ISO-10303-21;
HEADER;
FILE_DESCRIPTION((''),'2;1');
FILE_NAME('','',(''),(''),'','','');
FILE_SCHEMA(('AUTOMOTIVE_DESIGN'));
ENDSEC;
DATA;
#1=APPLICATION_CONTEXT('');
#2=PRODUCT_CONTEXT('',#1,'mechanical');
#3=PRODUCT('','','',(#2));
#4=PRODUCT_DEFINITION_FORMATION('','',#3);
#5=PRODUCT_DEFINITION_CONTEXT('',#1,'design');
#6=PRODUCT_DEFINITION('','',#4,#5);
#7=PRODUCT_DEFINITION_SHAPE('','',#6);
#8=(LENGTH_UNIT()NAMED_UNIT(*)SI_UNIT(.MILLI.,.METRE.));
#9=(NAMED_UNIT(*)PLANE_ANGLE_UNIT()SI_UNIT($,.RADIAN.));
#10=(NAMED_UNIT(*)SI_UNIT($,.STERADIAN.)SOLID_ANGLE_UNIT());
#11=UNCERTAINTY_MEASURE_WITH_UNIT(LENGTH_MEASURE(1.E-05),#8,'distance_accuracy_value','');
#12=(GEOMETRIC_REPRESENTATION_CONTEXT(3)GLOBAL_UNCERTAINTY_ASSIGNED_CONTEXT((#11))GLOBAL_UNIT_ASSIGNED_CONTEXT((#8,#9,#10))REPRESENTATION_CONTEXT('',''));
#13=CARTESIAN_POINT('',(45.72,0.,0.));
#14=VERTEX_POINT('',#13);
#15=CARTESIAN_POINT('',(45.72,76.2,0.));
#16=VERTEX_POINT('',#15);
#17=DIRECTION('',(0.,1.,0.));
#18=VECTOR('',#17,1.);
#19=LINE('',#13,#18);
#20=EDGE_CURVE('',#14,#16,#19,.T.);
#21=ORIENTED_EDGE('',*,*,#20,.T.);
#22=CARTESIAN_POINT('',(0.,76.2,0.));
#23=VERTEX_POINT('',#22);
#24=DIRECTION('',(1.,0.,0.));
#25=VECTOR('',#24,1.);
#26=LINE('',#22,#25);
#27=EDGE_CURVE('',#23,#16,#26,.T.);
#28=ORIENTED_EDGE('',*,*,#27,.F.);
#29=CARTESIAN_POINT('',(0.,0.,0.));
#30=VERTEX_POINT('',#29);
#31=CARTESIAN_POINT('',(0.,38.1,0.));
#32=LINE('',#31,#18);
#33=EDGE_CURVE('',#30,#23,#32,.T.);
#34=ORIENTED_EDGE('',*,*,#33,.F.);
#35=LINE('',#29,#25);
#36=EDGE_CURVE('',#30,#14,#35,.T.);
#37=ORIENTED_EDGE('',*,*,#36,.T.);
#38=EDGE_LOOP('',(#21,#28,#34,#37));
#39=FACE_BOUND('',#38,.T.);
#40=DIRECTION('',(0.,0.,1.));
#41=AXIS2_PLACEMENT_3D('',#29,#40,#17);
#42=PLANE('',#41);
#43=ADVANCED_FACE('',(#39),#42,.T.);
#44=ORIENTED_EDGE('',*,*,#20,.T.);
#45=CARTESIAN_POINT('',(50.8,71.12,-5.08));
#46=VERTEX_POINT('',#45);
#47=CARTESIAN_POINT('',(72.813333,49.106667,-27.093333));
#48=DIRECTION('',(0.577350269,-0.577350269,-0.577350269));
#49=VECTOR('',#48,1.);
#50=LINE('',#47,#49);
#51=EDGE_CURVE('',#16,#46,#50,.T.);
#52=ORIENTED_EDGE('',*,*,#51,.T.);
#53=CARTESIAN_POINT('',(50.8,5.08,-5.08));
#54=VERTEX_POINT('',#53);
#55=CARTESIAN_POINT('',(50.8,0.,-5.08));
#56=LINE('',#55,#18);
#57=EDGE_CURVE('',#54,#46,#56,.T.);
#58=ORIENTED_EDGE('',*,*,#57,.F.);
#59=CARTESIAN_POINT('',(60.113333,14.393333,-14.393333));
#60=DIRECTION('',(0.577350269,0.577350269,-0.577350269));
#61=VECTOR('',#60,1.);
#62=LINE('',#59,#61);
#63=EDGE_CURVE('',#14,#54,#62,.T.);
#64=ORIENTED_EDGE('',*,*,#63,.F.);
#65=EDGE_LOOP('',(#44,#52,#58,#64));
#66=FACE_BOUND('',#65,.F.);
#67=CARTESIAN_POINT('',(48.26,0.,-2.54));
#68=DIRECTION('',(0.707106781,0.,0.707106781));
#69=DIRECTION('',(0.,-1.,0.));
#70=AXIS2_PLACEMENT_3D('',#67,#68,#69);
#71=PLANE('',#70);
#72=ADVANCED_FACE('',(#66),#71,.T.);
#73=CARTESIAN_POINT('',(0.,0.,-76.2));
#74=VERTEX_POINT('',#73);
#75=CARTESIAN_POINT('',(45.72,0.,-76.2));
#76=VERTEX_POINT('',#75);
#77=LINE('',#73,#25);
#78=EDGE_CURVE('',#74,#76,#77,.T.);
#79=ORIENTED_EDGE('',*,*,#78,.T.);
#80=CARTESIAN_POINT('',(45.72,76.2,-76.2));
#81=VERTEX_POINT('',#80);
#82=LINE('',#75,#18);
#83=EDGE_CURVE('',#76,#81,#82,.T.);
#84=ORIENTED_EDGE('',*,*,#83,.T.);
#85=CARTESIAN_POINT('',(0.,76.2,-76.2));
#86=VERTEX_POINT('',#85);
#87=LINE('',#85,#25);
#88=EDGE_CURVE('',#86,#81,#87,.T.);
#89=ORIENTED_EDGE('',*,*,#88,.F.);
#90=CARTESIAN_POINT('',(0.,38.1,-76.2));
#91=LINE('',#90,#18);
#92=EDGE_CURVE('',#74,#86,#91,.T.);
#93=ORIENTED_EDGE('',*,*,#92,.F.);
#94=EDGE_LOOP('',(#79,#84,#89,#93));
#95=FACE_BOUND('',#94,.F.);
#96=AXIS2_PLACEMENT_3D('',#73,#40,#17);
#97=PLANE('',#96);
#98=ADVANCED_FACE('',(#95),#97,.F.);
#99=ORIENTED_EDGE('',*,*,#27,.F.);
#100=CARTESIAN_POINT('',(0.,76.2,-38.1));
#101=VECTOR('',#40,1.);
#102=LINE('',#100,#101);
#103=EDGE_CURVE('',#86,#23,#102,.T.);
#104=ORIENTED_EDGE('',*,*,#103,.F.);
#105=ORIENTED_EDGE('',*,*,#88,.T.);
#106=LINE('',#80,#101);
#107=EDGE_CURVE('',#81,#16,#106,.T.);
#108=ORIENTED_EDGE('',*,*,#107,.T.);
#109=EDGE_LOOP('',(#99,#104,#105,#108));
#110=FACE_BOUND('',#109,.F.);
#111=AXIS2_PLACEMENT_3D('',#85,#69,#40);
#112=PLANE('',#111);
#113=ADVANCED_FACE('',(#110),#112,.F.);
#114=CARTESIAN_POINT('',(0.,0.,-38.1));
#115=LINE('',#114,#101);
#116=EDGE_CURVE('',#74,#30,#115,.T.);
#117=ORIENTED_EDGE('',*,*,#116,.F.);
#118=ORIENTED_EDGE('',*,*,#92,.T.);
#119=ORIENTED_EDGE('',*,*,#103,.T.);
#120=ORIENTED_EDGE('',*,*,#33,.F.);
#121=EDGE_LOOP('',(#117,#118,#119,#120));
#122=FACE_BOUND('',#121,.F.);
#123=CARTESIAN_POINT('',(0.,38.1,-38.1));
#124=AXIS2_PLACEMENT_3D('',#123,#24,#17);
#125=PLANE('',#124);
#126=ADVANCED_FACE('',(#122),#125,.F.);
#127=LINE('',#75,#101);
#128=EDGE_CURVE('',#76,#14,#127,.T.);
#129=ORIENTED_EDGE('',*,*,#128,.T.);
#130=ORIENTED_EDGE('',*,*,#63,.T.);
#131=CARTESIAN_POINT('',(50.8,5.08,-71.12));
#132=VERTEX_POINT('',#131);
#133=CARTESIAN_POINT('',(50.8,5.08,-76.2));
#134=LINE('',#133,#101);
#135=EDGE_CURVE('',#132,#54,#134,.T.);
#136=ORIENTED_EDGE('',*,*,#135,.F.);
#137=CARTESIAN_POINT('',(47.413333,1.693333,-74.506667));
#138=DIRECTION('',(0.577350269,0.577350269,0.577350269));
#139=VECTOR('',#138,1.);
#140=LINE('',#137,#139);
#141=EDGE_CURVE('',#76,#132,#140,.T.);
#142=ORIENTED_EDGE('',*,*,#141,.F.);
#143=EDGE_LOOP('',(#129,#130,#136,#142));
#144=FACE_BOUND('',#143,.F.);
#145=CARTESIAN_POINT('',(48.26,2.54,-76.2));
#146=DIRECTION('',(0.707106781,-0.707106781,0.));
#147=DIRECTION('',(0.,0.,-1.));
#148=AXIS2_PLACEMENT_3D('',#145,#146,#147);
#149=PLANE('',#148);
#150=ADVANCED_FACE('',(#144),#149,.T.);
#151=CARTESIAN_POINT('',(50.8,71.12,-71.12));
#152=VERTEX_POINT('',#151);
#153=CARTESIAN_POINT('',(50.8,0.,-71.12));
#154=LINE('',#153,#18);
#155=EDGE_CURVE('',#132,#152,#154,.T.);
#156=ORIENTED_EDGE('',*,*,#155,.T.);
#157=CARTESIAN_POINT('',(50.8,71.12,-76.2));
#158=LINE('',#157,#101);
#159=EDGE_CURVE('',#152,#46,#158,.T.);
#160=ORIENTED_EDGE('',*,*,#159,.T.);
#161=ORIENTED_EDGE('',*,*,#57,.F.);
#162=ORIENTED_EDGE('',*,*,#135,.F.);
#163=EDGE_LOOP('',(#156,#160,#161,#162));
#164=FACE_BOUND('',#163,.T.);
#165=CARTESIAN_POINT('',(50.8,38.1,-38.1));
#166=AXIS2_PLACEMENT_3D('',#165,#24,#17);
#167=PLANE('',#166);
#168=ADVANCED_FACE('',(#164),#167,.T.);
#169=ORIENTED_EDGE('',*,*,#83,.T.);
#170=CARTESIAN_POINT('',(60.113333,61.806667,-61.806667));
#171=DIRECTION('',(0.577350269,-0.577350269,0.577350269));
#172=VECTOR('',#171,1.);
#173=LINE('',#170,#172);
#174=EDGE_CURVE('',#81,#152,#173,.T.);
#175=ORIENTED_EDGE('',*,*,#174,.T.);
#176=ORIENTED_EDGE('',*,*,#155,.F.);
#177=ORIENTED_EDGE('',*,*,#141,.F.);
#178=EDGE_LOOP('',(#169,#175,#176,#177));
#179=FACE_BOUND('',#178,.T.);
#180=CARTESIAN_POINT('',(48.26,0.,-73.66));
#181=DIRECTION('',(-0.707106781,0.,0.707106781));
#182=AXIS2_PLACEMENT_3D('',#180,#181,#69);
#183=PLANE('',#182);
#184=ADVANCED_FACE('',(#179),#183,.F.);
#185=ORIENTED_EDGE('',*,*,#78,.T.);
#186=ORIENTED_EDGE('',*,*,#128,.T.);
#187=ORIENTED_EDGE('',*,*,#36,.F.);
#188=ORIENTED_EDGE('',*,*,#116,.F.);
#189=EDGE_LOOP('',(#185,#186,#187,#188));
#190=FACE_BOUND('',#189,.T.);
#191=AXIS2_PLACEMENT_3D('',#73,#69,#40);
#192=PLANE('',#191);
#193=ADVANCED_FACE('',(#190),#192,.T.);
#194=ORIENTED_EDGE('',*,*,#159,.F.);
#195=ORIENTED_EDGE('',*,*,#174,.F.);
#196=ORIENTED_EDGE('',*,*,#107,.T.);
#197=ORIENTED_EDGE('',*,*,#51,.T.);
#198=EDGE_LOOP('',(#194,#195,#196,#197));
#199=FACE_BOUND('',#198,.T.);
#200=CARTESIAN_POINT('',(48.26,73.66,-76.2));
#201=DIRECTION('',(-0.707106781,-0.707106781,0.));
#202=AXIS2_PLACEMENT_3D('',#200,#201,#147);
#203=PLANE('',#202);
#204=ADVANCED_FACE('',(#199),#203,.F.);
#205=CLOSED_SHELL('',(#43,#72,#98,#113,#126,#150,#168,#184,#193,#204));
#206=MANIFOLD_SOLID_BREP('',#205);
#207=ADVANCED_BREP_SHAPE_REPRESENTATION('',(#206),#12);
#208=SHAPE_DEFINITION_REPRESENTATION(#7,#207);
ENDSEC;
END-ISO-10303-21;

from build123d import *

# Parameters (mm, degrees)
F0_W     = 76.2
F0_H     = 76.2
F1_DEPTH = 50.8
F2_SIZE  = 5.08


with BuildPart() as f1:
    # F0 (on Right) → F1 (new body)
    with BuildSketch(Plane.YZ):
        with Locations((38.1, -38.1)):
            Rectangle(F0_W, F0_H)
    extrude(amount=F1_DEPTH)

    # F2
    f2_edges = [f1.edges().sort_by_distance(p)[0] for p in [
        (50.8, 38.1, 0),
        (50.8, 0, -38.1),
        (50.8, 76.2, -38.1),
        (50.8, 38.1, -76.2),
    ]]
    chamfer(f2_edges, length=F2_SIZE)


solid = f1.part
